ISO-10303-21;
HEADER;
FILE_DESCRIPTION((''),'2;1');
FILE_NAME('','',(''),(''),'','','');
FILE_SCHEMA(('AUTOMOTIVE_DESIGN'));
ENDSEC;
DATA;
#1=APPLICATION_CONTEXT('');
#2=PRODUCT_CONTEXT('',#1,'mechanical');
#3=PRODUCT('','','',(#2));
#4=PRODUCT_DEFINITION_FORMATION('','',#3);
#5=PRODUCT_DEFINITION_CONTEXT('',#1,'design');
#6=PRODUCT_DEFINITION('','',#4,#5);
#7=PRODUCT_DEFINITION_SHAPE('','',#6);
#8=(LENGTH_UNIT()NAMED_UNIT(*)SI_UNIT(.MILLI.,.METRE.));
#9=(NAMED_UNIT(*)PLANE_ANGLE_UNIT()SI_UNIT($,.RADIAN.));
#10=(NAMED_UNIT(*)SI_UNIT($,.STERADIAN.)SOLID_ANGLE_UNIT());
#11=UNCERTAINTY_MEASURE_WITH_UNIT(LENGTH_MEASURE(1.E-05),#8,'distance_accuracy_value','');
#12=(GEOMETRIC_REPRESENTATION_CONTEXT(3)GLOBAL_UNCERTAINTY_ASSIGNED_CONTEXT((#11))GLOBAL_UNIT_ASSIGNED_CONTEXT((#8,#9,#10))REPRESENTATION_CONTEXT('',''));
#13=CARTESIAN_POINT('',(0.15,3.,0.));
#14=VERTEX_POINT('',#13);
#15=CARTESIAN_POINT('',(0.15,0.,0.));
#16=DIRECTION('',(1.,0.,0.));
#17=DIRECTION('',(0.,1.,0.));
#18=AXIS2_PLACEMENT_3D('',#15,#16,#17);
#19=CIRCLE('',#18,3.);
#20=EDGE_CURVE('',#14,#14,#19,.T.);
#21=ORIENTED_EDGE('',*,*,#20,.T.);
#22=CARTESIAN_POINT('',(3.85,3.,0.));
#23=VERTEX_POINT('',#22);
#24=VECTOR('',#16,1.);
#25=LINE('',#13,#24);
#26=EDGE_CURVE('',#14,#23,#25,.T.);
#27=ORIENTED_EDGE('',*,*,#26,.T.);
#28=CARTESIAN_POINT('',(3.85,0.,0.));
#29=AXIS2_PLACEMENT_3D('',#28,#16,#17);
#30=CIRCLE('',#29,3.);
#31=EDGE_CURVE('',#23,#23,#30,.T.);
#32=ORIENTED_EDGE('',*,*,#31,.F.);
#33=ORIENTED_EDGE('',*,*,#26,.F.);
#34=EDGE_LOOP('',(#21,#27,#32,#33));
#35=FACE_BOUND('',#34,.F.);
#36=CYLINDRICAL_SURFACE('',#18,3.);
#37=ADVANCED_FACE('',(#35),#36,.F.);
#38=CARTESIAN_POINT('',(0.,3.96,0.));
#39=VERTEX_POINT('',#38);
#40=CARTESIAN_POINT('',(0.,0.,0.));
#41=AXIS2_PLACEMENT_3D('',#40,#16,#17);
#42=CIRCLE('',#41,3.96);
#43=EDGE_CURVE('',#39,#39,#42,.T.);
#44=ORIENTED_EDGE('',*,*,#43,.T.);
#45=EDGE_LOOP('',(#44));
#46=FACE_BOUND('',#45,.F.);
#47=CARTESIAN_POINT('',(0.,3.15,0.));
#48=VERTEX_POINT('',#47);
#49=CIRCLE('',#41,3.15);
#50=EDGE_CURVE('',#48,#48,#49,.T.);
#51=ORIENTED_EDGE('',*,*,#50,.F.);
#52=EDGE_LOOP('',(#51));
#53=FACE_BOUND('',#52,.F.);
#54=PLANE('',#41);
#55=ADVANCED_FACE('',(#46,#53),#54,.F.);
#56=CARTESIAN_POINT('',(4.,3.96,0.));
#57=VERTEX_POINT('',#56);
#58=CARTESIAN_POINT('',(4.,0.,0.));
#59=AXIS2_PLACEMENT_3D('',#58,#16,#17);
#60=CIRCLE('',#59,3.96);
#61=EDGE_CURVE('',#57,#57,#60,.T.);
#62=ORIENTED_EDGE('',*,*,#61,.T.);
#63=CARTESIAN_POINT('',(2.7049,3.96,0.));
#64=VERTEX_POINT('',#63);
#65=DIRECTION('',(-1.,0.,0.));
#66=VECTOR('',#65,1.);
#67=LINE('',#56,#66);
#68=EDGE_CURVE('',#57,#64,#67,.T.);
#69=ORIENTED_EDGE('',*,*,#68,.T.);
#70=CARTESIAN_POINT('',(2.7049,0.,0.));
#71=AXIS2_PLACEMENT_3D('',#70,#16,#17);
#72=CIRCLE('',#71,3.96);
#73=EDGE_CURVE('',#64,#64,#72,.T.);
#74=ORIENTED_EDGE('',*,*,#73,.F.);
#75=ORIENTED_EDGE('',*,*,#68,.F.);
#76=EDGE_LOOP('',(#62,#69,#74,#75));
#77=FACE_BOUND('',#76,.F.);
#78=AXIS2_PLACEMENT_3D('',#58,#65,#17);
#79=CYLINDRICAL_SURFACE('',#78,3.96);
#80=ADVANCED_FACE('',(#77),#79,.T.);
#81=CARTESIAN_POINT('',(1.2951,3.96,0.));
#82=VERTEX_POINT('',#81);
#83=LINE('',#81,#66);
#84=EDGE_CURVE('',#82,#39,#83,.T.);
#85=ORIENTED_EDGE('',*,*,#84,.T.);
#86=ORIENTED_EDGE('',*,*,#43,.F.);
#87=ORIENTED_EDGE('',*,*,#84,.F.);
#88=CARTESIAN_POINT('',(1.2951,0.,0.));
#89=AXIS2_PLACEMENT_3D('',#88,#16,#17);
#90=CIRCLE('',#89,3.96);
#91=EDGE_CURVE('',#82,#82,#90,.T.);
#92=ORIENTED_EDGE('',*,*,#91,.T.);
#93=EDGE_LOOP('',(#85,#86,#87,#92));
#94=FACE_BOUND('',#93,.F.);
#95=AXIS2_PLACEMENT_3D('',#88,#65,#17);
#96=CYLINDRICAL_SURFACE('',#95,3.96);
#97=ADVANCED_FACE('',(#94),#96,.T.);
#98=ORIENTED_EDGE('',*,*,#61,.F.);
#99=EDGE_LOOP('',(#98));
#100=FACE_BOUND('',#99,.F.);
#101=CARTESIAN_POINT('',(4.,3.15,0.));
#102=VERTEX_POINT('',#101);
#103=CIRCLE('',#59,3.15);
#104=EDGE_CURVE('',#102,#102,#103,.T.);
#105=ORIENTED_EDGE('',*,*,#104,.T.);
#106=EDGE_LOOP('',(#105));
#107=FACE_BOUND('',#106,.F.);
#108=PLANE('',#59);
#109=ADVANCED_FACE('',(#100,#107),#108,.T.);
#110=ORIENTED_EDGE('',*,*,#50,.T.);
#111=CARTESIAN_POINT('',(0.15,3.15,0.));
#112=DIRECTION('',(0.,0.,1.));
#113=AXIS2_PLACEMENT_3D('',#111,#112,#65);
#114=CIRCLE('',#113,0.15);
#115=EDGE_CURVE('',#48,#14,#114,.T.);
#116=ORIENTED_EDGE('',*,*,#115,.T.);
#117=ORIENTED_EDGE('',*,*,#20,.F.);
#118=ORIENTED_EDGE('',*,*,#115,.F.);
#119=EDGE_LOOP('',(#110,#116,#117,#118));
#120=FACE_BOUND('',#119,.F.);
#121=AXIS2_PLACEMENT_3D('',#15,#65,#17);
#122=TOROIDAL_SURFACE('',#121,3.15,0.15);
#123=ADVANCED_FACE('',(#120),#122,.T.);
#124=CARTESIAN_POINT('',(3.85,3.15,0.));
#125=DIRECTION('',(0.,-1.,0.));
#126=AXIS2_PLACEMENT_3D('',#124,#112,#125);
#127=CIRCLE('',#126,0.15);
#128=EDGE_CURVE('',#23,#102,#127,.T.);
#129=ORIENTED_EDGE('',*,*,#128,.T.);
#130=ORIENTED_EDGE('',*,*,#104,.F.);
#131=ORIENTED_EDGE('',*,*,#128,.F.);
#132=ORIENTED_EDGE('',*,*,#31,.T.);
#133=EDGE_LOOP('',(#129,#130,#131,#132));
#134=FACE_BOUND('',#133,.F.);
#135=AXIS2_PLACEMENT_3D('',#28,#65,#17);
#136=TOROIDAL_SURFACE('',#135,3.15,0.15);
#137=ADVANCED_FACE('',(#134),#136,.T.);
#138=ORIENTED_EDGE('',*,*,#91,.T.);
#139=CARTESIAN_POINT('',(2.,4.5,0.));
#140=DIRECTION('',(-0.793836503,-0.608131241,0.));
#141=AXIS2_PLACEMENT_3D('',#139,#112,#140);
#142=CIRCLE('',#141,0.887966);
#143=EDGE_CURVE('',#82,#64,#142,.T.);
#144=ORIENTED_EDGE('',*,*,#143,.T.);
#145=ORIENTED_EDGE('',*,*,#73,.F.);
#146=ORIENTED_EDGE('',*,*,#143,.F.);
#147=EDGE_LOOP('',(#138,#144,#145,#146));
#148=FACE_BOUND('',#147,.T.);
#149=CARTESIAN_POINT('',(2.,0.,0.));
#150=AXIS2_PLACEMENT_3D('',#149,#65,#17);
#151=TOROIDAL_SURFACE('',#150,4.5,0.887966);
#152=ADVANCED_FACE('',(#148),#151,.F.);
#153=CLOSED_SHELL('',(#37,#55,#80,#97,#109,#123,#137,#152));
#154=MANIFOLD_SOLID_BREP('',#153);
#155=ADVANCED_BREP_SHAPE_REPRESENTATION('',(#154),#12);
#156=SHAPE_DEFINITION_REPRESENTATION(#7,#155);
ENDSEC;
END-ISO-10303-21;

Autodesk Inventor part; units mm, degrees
sketch "Sketch_2" plane through (0, 0, 0) normal (0, 0, 1) x (1, 0, 0)
  line L0 (4, 0) -> (0, 0)
  arc A0 (0, 3.15) -> (0.15, 3) centre (0.15, 3.15) ccw
  line L1 (0.15, 3) -> (3.85, 3)
  arc A1 (3.85, 3) -> (4, 3.15) centre (3.85, 3.15) ccw
  line L2 (4, 3.15) -> (4, 3.96)
  line L3 (4, 3.96) -> (2.7049, 3.96)
  arc A2 (1.2951, 3.96) -> (2.7049, 3.96) centre (2, 4.5) ccw
  line L4 (1.2951, 3.96) -> (0, 3.96)
  line L5 (0, 3.96) -> (0, 3.15)
revolve "Revolution1" add sketch "Sketch_2" angle 360 about axis through (4, 0, 0) along (1, 0, 0)
ref_plane "mss_ir_XY" through (0, 0, 0) normal (1, 0, 0) x (0, 0, -1)
ref_plane "mss_ir_YZ" through (0, 0, 0) normal (0, 0, -1) x (0, 1, 0)
ref_plane "mss_ir_ZX" through (0, 0, 0) normal (0, 1, 0) x (1, 0, 0)
properties part number "WBC6-12ZZ Inner ring"
